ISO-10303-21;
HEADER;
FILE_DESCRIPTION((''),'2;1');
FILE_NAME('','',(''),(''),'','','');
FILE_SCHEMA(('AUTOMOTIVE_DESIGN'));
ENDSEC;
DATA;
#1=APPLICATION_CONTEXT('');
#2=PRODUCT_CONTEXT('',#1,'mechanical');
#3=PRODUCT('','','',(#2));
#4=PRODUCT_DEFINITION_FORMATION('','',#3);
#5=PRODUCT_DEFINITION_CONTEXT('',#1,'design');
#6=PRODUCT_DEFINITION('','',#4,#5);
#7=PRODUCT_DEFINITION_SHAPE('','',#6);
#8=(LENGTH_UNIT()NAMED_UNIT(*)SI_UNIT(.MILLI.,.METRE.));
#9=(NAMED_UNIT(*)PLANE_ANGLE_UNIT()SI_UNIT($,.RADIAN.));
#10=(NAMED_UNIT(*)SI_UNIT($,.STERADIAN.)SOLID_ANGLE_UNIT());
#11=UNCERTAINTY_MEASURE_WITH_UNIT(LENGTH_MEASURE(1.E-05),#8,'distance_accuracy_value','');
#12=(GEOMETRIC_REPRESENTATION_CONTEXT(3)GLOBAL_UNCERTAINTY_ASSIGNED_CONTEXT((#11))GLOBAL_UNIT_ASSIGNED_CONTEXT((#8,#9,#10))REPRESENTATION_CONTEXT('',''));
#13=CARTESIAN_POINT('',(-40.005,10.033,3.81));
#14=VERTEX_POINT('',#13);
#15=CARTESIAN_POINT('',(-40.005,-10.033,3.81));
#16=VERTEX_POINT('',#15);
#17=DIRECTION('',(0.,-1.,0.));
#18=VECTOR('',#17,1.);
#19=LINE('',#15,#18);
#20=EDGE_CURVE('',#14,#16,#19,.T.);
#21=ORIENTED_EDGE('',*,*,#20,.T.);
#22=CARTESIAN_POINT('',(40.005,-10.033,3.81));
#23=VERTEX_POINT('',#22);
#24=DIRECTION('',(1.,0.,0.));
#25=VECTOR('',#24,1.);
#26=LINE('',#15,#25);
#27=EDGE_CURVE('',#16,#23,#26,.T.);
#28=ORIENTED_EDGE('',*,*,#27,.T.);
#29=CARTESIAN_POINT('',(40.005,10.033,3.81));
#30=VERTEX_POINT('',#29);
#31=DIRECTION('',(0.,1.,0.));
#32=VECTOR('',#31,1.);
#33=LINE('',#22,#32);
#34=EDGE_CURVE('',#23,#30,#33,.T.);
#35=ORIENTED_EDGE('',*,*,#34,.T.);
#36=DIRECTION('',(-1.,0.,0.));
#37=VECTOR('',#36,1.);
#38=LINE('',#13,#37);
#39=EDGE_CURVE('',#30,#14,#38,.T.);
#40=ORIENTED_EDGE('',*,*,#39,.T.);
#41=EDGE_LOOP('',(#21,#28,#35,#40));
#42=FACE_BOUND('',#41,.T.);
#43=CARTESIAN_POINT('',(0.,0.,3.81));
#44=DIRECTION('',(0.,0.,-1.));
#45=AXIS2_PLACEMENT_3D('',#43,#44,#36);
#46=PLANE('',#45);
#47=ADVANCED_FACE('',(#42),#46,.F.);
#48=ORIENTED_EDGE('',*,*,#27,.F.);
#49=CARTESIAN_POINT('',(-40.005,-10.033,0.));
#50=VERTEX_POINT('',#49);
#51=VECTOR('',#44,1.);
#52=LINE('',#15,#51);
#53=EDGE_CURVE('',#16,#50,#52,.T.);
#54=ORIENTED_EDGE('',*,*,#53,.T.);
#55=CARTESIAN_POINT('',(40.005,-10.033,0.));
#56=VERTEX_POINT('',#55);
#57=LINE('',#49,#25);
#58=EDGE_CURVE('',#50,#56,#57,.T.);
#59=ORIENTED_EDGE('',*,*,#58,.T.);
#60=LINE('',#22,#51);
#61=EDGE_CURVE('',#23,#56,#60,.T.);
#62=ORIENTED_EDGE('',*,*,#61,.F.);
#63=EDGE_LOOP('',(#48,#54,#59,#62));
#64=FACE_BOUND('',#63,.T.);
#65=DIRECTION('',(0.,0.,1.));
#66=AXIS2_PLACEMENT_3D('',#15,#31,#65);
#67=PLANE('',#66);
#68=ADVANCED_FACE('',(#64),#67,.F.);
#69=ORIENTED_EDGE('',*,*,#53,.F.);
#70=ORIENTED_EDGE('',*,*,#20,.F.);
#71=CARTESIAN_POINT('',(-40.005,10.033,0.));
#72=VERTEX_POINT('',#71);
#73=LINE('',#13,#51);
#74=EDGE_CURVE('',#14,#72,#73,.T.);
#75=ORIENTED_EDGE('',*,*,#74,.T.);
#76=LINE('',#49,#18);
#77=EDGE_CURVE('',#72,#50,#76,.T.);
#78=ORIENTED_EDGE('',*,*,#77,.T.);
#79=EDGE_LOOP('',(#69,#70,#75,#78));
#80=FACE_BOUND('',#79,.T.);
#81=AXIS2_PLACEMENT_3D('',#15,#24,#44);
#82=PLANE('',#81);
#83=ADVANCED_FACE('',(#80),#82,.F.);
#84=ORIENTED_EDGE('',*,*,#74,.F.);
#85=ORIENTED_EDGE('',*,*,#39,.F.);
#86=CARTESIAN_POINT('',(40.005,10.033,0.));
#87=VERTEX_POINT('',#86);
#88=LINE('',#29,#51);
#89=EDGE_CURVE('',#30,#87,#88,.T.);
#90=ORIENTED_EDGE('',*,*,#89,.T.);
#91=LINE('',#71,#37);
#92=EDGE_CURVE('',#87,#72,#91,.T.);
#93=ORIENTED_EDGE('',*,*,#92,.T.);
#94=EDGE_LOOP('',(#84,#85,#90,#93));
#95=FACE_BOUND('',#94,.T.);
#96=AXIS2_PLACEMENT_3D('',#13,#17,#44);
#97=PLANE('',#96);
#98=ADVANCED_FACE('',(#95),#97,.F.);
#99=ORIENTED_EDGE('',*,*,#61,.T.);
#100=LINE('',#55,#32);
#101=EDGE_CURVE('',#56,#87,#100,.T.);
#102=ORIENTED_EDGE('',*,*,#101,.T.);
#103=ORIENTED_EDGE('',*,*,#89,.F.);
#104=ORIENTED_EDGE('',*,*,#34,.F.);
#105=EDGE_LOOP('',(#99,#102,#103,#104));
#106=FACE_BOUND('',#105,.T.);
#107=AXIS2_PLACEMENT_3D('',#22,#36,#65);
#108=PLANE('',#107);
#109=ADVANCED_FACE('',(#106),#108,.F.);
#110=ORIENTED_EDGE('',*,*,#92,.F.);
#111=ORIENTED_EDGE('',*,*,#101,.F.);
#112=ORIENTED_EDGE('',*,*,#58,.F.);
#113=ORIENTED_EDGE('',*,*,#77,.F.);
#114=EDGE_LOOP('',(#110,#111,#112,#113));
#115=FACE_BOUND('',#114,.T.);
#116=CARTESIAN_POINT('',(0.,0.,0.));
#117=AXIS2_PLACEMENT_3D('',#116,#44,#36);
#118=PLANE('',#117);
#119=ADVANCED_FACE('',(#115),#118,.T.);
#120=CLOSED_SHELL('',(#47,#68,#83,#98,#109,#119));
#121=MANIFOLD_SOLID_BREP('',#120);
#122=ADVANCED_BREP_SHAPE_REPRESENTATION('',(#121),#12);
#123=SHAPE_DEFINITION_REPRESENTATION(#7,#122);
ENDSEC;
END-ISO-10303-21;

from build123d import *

# Parameters (mm, degrees)
SKETCH1_W           = 80.01
SKETCH1_H           = 20.066
BOSS_EXTRUDE1_DEPTH = 3.81


with BuildPart() as part:
    # Sketch1 → Boss-Extrude1 (new body)
    with BuildSketch(Plane.XY):
        Rectangle(SKETCH1_W, SKETCH1_H)
    extrude(amount=BOSS_EXTRUDE1_DEPTH)


solid = part.part
